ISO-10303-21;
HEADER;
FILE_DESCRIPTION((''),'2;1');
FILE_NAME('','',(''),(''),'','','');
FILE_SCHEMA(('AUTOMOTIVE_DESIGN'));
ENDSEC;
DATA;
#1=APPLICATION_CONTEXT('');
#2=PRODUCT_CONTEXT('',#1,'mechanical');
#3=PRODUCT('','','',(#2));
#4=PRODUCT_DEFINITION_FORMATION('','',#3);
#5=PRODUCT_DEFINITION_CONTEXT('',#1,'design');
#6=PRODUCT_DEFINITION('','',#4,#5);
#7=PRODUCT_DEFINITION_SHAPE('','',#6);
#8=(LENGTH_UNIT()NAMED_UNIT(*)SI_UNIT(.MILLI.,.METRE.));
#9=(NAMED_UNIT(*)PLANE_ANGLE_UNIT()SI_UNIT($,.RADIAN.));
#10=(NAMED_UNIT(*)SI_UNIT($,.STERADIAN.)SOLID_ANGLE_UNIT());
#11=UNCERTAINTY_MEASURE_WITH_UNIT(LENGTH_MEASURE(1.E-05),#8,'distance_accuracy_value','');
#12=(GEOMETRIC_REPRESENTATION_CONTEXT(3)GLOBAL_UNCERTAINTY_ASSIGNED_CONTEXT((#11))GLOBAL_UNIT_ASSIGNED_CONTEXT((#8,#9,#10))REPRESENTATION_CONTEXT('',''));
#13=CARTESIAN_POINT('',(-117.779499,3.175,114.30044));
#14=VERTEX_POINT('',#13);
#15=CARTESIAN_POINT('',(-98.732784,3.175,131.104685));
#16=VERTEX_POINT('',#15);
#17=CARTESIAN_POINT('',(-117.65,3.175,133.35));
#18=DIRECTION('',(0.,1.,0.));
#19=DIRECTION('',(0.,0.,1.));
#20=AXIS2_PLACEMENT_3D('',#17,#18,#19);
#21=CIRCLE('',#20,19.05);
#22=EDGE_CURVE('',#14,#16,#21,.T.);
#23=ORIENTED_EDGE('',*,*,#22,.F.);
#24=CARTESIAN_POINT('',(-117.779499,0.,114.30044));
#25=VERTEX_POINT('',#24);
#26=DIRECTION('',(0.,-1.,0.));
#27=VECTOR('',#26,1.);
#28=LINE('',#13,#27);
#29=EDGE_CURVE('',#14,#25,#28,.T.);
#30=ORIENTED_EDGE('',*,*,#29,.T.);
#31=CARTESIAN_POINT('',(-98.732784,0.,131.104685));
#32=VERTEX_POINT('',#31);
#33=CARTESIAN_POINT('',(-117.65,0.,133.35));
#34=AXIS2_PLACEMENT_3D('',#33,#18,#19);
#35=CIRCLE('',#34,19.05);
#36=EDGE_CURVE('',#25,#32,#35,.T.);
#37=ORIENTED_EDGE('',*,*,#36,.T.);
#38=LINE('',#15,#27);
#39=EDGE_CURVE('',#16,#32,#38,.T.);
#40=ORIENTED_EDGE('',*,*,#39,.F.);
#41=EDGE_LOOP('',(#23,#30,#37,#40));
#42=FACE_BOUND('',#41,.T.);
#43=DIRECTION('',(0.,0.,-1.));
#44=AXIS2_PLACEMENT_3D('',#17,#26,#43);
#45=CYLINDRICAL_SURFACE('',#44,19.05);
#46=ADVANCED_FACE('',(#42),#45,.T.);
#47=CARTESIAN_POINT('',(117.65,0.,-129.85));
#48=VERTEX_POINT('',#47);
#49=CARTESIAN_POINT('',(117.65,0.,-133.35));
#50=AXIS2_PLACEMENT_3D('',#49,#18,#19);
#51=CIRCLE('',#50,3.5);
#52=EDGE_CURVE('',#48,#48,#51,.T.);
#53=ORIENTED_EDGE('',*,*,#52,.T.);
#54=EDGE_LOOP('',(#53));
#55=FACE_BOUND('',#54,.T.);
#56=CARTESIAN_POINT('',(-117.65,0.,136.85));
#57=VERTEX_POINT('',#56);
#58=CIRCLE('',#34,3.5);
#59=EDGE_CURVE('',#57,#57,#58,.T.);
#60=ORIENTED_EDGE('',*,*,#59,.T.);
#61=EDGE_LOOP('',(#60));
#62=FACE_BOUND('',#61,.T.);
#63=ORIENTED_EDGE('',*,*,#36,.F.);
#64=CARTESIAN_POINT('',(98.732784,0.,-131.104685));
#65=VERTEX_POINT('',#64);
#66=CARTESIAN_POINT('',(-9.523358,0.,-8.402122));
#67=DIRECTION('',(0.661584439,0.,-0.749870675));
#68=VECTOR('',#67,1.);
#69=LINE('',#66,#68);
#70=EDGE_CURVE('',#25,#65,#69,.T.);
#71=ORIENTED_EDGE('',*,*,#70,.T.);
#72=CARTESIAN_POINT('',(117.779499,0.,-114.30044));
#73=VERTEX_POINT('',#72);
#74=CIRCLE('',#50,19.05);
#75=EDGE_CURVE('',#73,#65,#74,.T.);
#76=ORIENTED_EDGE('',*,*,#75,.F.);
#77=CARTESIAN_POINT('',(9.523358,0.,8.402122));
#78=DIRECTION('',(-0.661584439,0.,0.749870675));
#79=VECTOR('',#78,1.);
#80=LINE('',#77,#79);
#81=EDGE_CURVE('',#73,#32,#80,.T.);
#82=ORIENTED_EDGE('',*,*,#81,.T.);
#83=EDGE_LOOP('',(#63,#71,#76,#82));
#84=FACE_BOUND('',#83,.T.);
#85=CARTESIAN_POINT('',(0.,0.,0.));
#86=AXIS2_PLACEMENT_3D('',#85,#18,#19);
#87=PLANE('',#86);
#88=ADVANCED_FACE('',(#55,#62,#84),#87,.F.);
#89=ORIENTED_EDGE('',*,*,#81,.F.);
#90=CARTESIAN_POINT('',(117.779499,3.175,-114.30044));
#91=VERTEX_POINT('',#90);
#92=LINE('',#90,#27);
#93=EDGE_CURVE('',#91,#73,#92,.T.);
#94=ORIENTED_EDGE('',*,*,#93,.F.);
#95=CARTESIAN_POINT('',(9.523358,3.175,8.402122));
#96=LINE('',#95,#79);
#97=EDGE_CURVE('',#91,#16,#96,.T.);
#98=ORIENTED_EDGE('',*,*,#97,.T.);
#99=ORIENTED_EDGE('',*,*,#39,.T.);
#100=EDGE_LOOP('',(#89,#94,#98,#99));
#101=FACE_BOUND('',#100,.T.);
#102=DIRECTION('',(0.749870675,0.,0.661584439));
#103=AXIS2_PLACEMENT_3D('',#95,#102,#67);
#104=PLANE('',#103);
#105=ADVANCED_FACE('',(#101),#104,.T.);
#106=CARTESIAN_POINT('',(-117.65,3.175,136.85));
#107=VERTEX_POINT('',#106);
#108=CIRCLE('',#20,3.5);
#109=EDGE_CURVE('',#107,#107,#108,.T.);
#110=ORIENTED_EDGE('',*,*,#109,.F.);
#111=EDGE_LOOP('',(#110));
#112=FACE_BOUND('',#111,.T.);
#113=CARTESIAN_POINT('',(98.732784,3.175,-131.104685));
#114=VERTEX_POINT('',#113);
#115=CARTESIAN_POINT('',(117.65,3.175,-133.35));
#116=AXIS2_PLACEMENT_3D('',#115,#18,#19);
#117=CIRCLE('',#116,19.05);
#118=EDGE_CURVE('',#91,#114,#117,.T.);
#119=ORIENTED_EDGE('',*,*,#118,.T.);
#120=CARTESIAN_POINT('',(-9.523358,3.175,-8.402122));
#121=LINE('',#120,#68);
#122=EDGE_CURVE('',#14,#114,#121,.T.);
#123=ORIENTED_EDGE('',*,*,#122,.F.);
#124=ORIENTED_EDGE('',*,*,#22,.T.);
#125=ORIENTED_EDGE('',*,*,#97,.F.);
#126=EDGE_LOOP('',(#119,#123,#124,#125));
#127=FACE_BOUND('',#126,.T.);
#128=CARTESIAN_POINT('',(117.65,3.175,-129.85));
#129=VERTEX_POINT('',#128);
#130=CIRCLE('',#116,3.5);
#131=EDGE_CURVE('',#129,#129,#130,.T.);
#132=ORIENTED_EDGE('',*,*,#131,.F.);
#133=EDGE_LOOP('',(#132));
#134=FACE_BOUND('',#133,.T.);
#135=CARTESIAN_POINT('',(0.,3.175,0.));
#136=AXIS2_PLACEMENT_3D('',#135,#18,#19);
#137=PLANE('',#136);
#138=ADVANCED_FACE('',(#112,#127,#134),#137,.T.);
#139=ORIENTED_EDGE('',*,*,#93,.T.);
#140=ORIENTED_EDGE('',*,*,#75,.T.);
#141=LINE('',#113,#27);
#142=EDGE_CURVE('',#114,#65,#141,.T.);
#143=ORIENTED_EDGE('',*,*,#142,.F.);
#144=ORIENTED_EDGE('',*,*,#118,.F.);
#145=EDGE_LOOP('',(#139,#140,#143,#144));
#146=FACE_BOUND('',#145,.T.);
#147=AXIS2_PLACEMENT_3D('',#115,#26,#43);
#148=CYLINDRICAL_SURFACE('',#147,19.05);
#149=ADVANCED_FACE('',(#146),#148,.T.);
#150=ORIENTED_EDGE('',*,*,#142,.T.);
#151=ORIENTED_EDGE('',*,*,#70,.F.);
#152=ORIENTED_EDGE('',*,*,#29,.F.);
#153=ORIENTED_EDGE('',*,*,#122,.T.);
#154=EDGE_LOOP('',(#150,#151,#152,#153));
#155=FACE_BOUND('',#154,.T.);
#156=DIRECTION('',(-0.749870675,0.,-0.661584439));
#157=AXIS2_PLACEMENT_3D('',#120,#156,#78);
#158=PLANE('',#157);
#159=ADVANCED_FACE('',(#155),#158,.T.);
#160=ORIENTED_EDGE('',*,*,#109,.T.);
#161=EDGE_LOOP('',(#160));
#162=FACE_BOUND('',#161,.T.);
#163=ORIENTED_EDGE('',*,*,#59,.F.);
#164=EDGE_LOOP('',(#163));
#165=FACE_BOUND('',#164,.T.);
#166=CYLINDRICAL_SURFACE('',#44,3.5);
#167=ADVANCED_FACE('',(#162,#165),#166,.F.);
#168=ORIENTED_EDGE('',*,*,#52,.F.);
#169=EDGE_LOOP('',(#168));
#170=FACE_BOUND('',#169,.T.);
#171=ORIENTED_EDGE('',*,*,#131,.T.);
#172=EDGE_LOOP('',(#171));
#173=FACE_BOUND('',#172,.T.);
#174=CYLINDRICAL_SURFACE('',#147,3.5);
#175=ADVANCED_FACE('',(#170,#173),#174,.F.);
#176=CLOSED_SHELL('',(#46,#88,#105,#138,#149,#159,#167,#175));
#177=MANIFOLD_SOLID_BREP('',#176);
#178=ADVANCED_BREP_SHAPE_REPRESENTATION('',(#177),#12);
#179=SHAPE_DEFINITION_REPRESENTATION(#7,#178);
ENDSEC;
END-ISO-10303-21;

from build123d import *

# Parameters (mm, degrees)
SKETCH1_R           = 3.5
BOSS_EXTRUDE1_DEPTH = 3.175


with BuildPart() as part:
    # Sketch1 → Boss-Extrude1 (new body)
    with BuildSketch(Plane(origin=(0, 0, 0), x_dir=(1, 0, 0), z_dir=(0, 1, 0))):
        with BuildLine():
            Line((98.732784027, 131.104684918), (-117.779499182, -114.300440164))
            ThreePointArc((-117.779499182, -114.300440164), (-130.253183566, -147.635036367), (-98.732784027, -131.104684918))
            Line((-98.732784027, -131.104684918), (117.779499182, 114.300440164))
            ThreePointArc((117.779499182, 114.300440164), (130.253183566, 147.635036367), (98.732784027, 131.104684918))
        make_face()
        with Locations((117.65, 133.35)):
            Circle(SKETCH1_R, mode=Mode.SUBTRACT)
        with Locations((-117.65, -133.35)):
            Circle(SKETCH1_R, mode=Mode.SUBTRACT)
    extrude(amount=BOSS_EXTRUDE1_DEPTH)


solid = part.part
